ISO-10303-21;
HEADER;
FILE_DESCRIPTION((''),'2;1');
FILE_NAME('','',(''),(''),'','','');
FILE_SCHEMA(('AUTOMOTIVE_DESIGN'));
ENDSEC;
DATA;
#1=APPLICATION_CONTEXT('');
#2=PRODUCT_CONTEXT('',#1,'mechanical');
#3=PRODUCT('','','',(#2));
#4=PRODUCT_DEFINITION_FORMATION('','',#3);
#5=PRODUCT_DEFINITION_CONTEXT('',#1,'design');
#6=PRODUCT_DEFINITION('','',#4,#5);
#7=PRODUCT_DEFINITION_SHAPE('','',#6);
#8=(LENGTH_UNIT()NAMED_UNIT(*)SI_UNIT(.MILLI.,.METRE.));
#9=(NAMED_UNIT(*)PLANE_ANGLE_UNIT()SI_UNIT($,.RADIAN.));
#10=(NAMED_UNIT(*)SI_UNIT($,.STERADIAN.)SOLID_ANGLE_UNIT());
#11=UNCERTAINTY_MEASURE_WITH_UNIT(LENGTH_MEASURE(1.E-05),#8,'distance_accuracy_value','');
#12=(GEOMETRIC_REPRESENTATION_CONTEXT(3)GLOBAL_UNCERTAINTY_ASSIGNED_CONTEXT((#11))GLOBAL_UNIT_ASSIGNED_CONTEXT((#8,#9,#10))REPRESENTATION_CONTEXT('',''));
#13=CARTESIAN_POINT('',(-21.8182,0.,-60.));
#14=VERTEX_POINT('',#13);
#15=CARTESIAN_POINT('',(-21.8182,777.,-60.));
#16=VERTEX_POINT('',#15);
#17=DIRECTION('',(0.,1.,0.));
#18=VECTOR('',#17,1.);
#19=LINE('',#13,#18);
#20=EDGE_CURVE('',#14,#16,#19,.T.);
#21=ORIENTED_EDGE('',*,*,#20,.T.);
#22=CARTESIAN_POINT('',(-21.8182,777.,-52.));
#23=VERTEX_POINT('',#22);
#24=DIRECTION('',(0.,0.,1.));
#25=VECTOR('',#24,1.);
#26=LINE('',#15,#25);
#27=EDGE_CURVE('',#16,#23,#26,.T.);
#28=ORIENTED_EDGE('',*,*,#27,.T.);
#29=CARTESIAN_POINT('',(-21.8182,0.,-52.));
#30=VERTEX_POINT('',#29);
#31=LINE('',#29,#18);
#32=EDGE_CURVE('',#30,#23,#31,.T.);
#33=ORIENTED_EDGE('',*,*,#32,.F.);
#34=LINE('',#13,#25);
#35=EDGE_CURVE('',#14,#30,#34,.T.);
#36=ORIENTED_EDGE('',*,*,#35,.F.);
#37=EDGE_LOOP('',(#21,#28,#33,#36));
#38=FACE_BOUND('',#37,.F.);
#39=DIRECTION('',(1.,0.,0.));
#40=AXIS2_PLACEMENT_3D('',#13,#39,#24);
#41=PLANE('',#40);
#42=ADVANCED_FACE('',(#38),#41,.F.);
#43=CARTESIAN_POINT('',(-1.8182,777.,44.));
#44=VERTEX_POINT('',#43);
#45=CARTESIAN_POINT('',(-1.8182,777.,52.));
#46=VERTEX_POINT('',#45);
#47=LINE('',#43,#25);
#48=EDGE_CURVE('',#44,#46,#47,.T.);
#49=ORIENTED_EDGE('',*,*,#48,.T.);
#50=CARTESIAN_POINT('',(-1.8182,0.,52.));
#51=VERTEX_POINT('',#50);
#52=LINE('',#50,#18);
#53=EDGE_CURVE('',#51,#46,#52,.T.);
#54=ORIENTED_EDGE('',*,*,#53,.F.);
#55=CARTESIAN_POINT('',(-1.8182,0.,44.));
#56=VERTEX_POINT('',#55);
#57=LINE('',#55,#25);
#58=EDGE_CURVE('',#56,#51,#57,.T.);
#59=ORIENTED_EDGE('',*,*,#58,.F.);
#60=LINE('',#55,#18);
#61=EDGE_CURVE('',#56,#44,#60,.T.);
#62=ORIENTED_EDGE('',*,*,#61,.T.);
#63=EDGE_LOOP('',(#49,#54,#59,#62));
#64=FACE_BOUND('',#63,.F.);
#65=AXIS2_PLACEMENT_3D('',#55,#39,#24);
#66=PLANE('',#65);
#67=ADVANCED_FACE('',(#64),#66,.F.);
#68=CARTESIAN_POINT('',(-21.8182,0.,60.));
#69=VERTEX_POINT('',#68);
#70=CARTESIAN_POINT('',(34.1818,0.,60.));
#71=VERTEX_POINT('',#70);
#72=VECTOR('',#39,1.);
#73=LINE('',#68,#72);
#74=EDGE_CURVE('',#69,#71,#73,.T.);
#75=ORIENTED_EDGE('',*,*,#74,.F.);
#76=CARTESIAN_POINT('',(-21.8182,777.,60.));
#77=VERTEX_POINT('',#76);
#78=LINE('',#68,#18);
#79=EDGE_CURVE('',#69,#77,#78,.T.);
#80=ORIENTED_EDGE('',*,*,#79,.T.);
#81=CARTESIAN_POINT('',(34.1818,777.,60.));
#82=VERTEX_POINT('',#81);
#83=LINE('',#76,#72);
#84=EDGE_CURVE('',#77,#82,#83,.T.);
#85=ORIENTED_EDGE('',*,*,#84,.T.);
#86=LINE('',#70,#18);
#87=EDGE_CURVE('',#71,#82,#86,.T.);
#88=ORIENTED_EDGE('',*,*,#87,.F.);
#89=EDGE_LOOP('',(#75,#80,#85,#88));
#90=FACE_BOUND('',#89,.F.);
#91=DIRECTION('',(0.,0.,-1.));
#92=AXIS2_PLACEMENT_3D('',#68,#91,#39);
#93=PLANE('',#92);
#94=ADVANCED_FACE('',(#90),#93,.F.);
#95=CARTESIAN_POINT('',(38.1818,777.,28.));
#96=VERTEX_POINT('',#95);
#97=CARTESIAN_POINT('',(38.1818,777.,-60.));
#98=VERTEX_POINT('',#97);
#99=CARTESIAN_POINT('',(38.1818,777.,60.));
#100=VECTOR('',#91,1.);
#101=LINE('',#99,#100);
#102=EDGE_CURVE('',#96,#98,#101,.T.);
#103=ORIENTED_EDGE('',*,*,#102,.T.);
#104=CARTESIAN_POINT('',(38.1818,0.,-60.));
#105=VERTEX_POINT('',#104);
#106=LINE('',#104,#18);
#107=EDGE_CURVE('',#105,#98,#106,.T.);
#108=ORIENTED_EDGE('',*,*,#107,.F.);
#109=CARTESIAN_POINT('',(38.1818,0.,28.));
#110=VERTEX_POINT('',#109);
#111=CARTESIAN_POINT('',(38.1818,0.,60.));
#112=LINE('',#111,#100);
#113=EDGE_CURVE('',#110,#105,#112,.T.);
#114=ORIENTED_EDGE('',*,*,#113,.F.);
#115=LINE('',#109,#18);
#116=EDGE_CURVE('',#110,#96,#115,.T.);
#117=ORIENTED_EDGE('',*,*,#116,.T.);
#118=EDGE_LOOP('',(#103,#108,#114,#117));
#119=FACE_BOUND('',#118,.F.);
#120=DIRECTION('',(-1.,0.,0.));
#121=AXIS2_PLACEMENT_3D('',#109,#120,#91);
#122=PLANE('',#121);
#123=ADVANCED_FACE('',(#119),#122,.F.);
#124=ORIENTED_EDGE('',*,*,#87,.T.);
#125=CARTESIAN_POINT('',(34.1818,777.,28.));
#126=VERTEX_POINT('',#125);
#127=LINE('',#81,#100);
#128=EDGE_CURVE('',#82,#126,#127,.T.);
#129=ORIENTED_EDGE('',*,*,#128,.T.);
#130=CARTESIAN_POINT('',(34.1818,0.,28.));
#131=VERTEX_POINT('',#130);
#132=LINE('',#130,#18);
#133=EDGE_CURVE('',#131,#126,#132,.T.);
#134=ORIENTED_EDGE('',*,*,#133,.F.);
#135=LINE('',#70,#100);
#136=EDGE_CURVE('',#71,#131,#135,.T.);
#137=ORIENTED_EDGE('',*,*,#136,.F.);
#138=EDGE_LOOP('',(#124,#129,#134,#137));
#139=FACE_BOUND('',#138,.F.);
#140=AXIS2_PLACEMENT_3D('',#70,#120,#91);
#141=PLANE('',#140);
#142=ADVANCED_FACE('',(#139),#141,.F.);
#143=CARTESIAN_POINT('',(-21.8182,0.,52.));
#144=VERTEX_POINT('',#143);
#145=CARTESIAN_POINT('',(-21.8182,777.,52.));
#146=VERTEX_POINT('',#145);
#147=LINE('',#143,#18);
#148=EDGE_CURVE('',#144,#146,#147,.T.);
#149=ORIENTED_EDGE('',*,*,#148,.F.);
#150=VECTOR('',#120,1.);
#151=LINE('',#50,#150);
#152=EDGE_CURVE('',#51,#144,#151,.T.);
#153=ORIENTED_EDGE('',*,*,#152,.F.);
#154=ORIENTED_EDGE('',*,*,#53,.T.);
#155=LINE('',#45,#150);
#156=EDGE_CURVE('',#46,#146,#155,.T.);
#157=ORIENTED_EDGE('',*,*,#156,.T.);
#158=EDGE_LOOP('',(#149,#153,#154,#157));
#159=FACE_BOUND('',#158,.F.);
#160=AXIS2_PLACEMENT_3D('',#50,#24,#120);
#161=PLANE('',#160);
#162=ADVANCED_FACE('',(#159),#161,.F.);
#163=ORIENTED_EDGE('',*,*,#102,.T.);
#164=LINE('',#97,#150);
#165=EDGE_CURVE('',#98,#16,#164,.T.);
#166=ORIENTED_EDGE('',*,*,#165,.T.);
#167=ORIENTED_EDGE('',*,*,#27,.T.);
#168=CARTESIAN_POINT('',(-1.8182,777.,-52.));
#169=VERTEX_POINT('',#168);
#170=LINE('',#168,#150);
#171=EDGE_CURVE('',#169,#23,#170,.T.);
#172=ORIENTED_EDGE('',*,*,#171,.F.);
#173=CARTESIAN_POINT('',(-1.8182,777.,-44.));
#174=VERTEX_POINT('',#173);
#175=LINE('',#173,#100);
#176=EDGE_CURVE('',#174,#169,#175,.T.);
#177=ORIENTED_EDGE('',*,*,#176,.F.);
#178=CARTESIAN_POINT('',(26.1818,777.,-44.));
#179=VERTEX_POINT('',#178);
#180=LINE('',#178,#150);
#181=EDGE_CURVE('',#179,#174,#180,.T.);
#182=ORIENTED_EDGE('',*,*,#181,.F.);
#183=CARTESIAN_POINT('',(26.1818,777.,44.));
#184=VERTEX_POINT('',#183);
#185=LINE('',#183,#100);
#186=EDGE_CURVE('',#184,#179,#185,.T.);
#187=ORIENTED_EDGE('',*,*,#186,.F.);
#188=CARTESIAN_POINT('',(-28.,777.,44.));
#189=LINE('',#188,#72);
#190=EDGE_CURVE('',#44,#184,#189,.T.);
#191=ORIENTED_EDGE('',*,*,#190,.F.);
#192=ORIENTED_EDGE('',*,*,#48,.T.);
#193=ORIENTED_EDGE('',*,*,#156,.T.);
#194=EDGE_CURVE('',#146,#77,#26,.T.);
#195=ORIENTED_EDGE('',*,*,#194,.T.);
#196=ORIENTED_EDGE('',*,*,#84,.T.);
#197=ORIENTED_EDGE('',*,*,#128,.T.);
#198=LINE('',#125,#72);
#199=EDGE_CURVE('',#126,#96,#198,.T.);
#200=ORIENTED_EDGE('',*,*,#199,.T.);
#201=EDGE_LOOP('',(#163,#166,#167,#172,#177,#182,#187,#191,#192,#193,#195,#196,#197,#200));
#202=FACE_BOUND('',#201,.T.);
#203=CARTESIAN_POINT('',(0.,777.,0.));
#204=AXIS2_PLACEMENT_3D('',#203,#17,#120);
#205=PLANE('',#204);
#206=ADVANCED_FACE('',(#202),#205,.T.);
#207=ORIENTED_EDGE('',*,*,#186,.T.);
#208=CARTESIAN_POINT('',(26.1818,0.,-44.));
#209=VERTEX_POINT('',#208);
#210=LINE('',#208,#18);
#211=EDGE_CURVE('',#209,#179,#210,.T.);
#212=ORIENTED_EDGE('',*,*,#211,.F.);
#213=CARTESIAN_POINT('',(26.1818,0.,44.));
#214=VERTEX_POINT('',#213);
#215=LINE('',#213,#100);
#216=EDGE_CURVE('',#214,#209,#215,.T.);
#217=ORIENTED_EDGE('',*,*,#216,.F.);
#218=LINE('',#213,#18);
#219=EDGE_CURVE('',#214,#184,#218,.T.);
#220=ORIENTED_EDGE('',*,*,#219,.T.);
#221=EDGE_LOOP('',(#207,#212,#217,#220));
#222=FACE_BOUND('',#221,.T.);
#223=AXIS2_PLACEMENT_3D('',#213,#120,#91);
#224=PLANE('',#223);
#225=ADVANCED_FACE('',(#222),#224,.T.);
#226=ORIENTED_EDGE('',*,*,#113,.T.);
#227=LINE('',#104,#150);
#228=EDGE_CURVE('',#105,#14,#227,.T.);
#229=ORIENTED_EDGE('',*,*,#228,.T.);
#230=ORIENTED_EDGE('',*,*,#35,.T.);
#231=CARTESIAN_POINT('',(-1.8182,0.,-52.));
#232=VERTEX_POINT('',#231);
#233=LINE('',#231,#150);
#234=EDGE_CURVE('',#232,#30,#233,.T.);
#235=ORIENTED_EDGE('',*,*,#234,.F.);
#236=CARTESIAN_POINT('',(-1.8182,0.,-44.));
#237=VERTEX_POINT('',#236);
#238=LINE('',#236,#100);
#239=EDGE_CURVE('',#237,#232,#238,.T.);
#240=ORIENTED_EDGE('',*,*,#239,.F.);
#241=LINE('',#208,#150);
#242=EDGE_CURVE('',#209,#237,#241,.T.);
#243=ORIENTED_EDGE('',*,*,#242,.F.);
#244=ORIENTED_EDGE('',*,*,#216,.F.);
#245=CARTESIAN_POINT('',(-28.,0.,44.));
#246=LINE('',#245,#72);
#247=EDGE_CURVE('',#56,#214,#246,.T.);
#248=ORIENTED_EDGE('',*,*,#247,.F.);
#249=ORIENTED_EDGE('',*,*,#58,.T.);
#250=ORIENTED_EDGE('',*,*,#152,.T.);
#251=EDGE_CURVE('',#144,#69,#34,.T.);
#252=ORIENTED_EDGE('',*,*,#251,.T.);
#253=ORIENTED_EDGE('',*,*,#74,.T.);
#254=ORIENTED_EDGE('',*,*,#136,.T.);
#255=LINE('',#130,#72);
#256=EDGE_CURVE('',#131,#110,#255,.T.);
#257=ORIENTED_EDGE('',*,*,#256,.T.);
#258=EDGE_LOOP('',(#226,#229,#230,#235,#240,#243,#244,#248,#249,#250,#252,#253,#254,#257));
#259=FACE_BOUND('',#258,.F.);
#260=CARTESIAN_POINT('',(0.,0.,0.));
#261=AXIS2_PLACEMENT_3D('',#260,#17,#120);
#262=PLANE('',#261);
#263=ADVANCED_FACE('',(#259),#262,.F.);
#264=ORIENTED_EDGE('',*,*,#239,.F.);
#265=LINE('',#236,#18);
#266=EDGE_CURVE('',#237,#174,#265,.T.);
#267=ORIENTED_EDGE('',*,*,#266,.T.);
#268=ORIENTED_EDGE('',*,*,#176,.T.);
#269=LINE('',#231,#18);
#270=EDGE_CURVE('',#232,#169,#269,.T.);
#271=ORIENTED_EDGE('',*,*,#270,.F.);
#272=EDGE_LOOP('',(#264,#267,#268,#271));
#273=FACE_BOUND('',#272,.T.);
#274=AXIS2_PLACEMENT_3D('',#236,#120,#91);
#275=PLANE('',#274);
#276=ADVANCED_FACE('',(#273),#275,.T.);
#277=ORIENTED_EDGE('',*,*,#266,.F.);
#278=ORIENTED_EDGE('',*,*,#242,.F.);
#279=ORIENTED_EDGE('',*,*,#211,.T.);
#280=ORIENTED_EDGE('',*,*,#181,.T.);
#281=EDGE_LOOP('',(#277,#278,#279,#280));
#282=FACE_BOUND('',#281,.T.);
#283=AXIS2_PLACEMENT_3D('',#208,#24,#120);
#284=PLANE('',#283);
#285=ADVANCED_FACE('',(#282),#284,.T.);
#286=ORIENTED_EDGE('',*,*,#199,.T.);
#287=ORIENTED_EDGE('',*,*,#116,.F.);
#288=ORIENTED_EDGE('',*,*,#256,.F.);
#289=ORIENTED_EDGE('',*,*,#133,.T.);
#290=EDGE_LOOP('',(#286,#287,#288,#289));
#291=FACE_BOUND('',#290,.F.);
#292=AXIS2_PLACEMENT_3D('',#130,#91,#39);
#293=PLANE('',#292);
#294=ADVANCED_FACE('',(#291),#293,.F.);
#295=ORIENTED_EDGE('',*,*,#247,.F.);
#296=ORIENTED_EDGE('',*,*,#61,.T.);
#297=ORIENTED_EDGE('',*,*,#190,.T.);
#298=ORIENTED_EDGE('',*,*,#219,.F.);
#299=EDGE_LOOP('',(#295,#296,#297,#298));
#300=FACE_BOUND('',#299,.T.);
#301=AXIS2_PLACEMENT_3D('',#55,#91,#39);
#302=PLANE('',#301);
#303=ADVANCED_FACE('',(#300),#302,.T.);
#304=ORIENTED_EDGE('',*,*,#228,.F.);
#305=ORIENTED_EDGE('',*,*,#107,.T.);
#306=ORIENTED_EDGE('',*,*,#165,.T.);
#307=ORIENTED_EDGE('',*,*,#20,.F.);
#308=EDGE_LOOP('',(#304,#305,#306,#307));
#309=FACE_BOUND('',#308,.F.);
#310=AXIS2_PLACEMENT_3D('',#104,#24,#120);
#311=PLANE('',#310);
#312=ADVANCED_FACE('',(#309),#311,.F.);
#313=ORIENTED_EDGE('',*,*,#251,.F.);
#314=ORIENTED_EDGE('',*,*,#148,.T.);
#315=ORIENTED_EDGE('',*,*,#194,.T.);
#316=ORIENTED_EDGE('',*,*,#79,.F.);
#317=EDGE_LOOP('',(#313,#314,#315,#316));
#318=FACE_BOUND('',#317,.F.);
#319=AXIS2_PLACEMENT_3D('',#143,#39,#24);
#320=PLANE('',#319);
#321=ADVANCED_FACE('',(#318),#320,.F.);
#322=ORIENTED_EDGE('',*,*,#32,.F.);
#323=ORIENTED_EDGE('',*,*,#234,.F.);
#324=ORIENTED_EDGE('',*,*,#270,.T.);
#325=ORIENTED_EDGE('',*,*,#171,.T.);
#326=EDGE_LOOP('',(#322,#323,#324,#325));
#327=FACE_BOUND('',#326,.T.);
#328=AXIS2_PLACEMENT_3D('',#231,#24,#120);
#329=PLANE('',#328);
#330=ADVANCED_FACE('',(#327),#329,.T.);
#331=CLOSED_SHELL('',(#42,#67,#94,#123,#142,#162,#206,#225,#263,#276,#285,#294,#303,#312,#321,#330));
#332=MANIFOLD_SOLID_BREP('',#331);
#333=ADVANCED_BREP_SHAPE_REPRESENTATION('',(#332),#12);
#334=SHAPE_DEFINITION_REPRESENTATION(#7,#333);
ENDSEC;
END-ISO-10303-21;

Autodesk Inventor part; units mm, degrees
ref_plane "YZ Plane" through (0, 0, 0) normal (1, 0, 0) x (0, 1, 0)
ref_plane "XZ Plane" through (0, 0, 0) normal (0, 1, 0) x (-1, 0, 0)
ref_plane "XY Plane" through (0, 0, 0) normal (0, 0, 1) x (1, 0, 0)
sketch "Эскиз1" plane through (0, 0, 0) normal (0, 1, 0) x (-1, 0, 0)
  line L0 (21.8182, 60) -> (-38.1818, 60)
  line L1 (-38.1818, 60) -> (-38.1818, -60)
  line L2 (-38.1818, -60) -> (21.8182, -60)
  line L3 (21.8182, -60) -> (21.8182, 60)
  line L4 (28, 44) -> (-26.1818, 44)
  line L5 (-26.1818, 44) -> (-26.1818, -44)
  line L6 (-26.1818, -44) -> (28, -44)
  line L7 (28, -44) -> (28, 44)
  line L8 (-38.1818, 60) -> (-34.1818, 60)
  line L9 (-34.1818, 60) -> (-34.1818, 28)
  line L10 (-34.1818, 28) -> (-38.1818, 28)
  line L11 (-38.1818, 28) -> (-38.1818, 60)
  line L12 (21.8182, -44) -> (1.8182, -44)
  line L13 (1.8182, -44) -> (1.8182, -52)
  line L14 (1.8182, -52) -> (21.8182, -52)
  line L15 (21.8182, -52) -> (21.8182, -44)
  line L16 (21.8182, 44) -> (1.8182, 44)
  line L17 (1.8182, 44) -> (1.8182, 52)
  line L18 (1.8182, 52) -> (21.8182, 52)
  line L19 (21.8182, 52) -> (21.8182, 44)
  point P0 (0, 0)
  point P1 (21.8182, -52)
  point P2 (1.8182, -44)
  dimension "d0" = 120
  dimension "d1" = 60
  dimension "d2" = 16
  dimension "d3" = 16
  dimension "d4" = 12
  dimension "d5" = 4
  dimension "d6" = 32
  dimension "d7" = 20
  dimension "d8" = 8
  dimension "d9" = 8
  dimension "d10" = 20
extrude "Выдавливание1" add sketch "Эскиз1" along normal blind 777 contours L3 L18 L17 L4 L5 L6 L13 L14 L2 L1 L10 L9 L0
properties part number "YaxisBalka"
